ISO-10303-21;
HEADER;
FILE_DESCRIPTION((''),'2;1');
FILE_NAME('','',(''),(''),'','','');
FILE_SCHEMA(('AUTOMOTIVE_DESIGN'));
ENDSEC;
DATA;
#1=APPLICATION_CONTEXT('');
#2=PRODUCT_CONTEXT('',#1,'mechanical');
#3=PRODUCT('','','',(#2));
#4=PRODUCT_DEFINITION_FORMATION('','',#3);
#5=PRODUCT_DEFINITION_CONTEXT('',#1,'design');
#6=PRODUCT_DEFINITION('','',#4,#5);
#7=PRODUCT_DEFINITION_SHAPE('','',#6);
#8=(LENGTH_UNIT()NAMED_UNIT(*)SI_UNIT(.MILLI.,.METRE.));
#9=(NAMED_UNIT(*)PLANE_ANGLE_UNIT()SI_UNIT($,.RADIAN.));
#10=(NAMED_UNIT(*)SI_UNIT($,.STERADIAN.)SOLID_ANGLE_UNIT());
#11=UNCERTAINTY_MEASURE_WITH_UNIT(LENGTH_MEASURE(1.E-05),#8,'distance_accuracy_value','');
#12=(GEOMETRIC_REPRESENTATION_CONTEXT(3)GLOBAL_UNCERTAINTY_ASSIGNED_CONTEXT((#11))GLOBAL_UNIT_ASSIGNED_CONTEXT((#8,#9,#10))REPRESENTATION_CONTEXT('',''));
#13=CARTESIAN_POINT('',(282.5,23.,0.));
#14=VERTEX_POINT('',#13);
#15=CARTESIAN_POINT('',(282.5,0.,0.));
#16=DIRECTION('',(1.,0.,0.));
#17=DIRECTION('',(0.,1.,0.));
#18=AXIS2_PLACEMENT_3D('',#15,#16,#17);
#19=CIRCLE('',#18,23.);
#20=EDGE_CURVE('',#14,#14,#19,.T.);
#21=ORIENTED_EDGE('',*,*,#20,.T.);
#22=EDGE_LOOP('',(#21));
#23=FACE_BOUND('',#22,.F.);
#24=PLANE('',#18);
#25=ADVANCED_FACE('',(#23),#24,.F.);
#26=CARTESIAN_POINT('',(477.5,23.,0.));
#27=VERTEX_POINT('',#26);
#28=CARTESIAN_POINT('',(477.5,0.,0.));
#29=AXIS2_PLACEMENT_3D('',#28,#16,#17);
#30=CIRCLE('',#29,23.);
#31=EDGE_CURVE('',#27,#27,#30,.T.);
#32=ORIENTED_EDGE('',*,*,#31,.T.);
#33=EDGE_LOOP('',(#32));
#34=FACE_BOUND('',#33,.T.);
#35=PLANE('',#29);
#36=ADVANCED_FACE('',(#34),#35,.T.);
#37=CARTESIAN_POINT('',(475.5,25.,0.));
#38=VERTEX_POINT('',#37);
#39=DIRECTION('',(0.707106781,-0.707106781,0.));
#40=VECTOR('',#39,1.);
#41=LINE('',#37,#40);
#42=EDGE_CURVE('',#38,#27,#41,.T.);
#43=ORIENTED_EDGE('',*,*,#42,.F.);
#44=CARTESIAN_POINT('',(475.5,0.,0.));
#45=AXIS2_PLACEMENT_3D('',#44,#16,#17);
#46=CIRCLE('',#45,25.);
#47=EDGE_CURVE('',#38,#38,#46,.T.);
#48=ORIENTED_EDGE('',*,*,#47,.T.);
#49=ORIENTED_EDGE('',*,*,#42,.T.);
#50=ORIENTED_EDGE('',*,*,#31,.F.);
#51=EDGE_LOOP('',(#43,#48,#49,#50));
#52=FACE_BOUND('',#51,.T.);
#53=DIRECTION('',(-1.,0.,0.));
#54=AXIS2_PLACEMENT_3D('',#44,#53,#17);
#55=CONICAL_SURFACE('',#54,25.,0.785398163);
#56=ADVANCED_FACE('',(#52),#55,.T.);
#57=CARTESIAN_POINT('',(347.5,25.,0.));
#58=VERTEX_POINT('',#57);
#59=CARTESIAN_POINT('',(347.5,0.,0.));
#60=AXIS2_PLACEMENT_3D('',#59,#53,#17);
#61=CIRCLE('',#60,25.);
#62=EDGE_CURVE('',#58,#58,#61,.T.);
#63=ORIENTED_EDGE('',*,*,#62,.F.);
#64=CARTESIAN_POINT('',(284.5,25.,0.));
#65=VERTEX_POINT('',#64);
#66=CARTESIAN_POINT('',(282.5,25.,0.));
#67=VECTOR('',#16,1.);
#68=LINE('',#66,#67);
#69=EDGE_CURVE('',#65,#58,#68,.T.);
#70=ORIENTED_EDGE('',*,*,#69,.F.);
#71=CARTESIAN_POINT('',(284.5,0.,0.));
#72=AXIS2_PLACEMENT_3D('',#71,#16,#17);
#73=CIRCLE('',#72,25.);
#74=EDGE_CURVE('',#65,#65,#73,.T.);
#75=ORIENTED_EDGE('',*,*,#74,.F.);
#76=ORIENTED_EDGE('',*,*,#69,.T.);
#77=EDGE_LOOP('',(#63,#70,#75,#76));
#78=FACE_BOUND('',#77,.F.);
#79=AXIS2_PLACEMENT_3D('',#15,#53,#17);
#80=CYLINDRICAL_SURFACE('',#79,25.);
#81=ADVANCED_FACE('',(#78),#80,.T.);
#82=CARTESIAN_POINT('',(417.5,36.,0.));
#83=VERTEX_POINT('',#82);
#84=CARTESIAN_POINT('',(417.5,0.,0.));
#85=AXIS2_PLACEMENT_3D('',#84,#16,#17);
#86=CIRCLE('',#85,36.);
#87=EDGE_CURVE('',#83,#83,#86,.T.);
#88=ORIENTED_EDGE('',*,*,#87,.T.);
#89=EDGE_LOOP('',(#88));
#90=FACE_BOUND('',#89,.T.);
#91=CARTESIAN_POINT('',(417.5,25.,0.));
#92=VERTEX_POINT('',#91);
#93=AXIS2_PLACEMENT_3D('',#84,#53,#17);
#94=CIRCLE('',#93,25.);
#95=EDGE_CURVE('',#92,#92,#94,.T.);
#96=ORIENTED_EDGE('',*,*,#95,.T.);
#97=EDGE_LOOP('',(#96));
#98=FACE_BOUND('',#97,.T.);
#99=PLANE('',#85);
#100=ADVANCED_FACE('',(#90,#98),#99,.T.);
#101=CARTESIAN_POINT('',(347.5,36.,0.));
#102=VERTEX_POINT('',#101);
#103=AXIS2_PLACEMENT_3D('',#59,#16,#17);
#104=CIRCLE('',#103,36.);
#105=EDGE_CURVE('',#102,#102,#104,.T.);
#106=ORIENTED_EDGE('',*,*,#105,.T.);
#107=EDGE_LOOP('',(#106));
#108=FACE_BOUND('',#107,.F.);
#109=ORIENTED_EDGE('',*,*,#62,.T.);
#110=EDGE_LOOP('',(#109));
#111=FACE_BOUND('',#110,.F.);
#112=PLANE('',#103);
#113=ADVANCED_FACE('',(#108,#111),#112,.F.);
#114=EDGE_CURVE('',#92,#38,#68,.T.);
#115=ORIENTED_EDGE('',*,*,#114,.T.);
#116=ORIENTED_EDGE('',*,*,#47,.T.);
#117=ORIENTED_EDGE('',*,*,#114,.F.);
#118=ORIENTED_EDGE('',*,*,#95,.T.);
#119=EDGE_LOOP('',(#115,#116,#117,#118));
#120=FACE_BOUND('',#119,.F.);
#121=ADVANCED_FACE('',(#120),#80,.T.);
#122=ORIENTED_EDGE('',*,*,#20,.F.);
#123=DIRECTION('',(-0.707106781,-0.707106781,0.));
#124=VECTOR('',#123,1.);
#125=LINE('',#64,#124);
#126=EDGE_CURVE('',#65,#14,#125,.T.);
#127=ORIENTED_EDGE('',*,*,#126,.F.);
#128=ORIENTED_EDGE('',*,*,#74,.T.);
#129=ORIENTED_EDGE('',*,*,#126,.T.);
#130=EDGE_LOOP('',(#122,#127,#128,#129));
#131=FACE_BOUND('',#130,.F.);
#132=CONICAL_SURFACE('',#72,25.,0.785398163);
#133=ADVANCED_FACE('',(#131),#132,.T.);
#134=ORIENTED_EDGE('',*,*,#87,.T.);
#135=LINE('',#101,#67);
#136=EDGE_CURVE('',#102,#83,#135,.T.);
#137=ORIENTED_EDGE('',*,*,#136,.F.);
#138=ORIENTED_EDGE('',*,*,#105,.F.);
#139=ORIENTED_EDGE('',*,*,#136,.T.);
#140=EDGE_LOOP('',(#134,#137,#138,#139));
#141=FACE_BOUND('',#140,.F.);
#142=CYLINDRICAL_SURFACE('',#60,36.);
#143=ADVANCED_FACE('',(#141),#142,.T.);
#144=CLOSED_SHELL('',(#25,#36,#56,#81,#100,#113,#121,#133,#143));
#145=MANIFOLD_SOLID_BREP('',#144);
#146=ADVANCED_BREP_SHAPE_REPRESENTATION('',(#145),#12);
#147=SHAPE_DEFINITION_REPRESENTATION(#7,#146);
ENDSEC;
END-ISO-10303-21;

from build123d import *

# Parameters (mm, degrees)
F1_START = 347.5
F0_R     = 36
F1_DEPTH = 70
F3_START = 282.5
F2_R     = 25
F3_DEPTH = 195
F4_SIZE2 = 2
F4_SIZE  = 2


with BuildPart() as f1:
    # F0 (on Right) → F1 (new body)
    with BuildSketch(Plane.YZ.offset(F1_START)):
        Circle(F0_R)
    extrude(amount=F1_DEPTH)

    # F2 (on Right) → F3 (join)
    with BuildSketch(Plane.YZ.offset(F3_START)):
        Circle(F2_R)
    extrude(amount=F3_DEPTH)

    # F4
    f4_edges = [f1.edges().sort_by_distance(p)[0] for p in [
        (477.5, -25, 0),
        (282.5, -25, 0),
    ]]
    chamfer(f4_edges, length=F4_SIZE, length2=F4_SIZE2)


solid = f1.part
